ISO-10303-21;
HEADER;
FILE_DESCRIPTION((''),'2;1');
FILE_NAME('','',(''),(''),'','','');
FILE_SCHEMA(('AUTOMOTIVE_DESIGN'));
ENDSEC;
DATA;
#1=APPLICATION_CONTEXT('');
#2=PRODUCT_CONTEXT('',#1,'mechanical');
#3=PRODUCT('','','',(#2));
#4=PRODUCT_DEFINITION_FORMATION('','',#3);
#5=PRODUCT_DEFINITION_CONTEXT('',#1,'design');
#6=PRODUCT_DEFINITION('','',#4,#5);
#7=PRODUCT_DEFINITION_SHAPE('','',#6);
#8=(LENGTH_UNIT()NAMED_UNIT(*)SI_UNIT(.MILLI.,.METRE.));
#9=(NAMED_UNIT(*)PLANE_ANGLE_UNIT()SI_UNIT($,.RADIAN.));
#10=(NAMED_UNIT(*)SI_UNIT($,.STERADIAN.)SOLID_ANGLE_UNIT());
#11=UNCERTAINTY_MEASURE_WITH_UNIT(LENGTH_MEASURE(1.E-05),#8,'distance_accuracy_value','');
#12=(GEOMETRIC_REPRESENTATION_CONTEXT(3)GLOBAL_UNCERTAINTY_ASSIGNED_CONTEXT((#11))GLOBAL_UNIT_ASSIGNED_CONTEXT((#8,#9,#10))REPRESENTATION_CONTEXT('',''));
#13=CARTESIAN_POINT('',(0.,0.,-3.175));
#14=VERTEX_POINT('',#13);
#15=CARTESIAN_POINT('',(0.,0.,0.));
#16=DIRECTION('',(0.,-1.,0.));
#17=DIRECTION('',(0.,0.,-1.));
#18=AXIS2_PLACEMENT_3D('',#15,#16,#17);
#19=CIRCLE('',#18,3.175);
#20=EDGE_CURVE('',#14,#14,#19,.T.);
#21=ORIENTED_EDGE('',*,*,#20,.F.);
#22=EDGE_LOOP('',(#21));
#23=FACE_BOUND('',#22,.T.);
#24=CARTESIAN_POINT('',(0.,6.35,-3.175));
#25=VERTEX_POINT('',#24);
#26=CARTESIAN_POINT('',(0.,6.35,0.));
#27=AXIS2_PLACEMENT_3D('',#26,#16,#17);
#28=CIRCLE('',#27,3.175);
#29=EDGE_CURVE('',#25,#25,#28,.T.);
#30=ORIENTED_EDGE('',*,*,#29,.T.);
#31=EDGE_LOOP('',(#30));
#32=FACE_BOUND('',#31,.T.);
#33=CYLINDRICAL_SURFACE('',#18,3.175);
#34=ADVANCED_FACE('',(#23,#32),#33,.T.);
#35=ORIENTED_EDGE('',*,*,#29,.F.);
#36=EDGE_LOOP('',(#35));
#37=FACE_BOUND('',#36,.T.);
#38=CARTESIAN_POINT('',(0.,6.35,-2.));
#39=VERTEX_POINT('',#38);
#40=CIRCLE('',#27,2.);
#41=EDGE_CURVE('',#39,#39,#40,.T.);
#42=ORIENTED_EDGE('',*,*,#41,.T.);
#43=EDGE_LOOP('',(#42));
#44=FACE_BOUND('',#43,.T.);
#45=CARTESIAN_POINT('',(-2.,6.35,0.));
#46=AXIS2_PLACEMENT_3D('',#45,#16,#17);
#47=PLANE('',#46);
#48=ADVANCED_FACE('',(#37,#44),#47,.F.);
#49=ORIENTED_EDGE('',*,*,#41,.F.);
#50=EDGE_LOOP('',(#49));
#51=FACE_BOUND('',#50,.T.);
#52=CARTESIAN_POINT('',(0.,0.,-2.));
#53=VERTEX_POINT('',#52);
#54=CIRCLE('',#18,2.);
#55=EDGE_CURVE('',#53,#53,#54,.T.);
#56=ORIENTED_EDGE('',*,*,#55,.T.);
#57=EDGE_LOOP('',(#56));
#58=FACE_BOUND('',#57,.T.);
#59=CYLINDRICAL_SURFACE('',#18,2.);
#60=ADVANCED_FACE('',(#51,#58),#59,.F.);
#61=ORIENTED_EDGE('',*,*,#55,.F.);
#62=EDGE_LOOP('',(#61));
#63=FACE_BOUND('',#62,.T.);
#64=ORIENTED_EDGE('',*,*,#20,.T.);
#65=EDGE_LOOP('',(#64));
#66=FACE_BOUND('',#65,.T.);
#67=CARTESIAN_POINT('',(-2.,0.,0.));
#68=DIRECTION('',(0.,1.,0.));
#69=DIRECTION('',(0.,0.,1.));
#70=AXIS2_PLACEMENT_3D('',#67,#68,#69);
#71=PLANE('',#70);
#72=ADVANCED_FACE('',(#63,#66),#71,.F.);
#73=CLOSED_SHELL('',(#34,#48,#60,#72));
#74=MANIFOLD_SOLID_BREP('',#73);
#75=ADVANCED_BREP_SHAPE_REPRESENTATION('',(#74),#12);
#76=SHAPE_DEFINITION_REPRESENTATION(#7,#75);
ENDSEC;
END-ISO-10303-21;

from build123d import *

# Parameters (mm, degrees)
SKETCH1_W = 1.175
SKETCH1_H = 6.35


with BuildPart() as part:
    # Sketch1 → Revolve1 (revolve)
    with BuildSketch(Plane.XY):
        with Locations((-2.5875, 3.175)):
            Rectangle(SKETCH1_W, SKETCH1_H)
    revolve(axis=Axis((0, 0, 0), (0, 1, 0)))


solid = part.part
